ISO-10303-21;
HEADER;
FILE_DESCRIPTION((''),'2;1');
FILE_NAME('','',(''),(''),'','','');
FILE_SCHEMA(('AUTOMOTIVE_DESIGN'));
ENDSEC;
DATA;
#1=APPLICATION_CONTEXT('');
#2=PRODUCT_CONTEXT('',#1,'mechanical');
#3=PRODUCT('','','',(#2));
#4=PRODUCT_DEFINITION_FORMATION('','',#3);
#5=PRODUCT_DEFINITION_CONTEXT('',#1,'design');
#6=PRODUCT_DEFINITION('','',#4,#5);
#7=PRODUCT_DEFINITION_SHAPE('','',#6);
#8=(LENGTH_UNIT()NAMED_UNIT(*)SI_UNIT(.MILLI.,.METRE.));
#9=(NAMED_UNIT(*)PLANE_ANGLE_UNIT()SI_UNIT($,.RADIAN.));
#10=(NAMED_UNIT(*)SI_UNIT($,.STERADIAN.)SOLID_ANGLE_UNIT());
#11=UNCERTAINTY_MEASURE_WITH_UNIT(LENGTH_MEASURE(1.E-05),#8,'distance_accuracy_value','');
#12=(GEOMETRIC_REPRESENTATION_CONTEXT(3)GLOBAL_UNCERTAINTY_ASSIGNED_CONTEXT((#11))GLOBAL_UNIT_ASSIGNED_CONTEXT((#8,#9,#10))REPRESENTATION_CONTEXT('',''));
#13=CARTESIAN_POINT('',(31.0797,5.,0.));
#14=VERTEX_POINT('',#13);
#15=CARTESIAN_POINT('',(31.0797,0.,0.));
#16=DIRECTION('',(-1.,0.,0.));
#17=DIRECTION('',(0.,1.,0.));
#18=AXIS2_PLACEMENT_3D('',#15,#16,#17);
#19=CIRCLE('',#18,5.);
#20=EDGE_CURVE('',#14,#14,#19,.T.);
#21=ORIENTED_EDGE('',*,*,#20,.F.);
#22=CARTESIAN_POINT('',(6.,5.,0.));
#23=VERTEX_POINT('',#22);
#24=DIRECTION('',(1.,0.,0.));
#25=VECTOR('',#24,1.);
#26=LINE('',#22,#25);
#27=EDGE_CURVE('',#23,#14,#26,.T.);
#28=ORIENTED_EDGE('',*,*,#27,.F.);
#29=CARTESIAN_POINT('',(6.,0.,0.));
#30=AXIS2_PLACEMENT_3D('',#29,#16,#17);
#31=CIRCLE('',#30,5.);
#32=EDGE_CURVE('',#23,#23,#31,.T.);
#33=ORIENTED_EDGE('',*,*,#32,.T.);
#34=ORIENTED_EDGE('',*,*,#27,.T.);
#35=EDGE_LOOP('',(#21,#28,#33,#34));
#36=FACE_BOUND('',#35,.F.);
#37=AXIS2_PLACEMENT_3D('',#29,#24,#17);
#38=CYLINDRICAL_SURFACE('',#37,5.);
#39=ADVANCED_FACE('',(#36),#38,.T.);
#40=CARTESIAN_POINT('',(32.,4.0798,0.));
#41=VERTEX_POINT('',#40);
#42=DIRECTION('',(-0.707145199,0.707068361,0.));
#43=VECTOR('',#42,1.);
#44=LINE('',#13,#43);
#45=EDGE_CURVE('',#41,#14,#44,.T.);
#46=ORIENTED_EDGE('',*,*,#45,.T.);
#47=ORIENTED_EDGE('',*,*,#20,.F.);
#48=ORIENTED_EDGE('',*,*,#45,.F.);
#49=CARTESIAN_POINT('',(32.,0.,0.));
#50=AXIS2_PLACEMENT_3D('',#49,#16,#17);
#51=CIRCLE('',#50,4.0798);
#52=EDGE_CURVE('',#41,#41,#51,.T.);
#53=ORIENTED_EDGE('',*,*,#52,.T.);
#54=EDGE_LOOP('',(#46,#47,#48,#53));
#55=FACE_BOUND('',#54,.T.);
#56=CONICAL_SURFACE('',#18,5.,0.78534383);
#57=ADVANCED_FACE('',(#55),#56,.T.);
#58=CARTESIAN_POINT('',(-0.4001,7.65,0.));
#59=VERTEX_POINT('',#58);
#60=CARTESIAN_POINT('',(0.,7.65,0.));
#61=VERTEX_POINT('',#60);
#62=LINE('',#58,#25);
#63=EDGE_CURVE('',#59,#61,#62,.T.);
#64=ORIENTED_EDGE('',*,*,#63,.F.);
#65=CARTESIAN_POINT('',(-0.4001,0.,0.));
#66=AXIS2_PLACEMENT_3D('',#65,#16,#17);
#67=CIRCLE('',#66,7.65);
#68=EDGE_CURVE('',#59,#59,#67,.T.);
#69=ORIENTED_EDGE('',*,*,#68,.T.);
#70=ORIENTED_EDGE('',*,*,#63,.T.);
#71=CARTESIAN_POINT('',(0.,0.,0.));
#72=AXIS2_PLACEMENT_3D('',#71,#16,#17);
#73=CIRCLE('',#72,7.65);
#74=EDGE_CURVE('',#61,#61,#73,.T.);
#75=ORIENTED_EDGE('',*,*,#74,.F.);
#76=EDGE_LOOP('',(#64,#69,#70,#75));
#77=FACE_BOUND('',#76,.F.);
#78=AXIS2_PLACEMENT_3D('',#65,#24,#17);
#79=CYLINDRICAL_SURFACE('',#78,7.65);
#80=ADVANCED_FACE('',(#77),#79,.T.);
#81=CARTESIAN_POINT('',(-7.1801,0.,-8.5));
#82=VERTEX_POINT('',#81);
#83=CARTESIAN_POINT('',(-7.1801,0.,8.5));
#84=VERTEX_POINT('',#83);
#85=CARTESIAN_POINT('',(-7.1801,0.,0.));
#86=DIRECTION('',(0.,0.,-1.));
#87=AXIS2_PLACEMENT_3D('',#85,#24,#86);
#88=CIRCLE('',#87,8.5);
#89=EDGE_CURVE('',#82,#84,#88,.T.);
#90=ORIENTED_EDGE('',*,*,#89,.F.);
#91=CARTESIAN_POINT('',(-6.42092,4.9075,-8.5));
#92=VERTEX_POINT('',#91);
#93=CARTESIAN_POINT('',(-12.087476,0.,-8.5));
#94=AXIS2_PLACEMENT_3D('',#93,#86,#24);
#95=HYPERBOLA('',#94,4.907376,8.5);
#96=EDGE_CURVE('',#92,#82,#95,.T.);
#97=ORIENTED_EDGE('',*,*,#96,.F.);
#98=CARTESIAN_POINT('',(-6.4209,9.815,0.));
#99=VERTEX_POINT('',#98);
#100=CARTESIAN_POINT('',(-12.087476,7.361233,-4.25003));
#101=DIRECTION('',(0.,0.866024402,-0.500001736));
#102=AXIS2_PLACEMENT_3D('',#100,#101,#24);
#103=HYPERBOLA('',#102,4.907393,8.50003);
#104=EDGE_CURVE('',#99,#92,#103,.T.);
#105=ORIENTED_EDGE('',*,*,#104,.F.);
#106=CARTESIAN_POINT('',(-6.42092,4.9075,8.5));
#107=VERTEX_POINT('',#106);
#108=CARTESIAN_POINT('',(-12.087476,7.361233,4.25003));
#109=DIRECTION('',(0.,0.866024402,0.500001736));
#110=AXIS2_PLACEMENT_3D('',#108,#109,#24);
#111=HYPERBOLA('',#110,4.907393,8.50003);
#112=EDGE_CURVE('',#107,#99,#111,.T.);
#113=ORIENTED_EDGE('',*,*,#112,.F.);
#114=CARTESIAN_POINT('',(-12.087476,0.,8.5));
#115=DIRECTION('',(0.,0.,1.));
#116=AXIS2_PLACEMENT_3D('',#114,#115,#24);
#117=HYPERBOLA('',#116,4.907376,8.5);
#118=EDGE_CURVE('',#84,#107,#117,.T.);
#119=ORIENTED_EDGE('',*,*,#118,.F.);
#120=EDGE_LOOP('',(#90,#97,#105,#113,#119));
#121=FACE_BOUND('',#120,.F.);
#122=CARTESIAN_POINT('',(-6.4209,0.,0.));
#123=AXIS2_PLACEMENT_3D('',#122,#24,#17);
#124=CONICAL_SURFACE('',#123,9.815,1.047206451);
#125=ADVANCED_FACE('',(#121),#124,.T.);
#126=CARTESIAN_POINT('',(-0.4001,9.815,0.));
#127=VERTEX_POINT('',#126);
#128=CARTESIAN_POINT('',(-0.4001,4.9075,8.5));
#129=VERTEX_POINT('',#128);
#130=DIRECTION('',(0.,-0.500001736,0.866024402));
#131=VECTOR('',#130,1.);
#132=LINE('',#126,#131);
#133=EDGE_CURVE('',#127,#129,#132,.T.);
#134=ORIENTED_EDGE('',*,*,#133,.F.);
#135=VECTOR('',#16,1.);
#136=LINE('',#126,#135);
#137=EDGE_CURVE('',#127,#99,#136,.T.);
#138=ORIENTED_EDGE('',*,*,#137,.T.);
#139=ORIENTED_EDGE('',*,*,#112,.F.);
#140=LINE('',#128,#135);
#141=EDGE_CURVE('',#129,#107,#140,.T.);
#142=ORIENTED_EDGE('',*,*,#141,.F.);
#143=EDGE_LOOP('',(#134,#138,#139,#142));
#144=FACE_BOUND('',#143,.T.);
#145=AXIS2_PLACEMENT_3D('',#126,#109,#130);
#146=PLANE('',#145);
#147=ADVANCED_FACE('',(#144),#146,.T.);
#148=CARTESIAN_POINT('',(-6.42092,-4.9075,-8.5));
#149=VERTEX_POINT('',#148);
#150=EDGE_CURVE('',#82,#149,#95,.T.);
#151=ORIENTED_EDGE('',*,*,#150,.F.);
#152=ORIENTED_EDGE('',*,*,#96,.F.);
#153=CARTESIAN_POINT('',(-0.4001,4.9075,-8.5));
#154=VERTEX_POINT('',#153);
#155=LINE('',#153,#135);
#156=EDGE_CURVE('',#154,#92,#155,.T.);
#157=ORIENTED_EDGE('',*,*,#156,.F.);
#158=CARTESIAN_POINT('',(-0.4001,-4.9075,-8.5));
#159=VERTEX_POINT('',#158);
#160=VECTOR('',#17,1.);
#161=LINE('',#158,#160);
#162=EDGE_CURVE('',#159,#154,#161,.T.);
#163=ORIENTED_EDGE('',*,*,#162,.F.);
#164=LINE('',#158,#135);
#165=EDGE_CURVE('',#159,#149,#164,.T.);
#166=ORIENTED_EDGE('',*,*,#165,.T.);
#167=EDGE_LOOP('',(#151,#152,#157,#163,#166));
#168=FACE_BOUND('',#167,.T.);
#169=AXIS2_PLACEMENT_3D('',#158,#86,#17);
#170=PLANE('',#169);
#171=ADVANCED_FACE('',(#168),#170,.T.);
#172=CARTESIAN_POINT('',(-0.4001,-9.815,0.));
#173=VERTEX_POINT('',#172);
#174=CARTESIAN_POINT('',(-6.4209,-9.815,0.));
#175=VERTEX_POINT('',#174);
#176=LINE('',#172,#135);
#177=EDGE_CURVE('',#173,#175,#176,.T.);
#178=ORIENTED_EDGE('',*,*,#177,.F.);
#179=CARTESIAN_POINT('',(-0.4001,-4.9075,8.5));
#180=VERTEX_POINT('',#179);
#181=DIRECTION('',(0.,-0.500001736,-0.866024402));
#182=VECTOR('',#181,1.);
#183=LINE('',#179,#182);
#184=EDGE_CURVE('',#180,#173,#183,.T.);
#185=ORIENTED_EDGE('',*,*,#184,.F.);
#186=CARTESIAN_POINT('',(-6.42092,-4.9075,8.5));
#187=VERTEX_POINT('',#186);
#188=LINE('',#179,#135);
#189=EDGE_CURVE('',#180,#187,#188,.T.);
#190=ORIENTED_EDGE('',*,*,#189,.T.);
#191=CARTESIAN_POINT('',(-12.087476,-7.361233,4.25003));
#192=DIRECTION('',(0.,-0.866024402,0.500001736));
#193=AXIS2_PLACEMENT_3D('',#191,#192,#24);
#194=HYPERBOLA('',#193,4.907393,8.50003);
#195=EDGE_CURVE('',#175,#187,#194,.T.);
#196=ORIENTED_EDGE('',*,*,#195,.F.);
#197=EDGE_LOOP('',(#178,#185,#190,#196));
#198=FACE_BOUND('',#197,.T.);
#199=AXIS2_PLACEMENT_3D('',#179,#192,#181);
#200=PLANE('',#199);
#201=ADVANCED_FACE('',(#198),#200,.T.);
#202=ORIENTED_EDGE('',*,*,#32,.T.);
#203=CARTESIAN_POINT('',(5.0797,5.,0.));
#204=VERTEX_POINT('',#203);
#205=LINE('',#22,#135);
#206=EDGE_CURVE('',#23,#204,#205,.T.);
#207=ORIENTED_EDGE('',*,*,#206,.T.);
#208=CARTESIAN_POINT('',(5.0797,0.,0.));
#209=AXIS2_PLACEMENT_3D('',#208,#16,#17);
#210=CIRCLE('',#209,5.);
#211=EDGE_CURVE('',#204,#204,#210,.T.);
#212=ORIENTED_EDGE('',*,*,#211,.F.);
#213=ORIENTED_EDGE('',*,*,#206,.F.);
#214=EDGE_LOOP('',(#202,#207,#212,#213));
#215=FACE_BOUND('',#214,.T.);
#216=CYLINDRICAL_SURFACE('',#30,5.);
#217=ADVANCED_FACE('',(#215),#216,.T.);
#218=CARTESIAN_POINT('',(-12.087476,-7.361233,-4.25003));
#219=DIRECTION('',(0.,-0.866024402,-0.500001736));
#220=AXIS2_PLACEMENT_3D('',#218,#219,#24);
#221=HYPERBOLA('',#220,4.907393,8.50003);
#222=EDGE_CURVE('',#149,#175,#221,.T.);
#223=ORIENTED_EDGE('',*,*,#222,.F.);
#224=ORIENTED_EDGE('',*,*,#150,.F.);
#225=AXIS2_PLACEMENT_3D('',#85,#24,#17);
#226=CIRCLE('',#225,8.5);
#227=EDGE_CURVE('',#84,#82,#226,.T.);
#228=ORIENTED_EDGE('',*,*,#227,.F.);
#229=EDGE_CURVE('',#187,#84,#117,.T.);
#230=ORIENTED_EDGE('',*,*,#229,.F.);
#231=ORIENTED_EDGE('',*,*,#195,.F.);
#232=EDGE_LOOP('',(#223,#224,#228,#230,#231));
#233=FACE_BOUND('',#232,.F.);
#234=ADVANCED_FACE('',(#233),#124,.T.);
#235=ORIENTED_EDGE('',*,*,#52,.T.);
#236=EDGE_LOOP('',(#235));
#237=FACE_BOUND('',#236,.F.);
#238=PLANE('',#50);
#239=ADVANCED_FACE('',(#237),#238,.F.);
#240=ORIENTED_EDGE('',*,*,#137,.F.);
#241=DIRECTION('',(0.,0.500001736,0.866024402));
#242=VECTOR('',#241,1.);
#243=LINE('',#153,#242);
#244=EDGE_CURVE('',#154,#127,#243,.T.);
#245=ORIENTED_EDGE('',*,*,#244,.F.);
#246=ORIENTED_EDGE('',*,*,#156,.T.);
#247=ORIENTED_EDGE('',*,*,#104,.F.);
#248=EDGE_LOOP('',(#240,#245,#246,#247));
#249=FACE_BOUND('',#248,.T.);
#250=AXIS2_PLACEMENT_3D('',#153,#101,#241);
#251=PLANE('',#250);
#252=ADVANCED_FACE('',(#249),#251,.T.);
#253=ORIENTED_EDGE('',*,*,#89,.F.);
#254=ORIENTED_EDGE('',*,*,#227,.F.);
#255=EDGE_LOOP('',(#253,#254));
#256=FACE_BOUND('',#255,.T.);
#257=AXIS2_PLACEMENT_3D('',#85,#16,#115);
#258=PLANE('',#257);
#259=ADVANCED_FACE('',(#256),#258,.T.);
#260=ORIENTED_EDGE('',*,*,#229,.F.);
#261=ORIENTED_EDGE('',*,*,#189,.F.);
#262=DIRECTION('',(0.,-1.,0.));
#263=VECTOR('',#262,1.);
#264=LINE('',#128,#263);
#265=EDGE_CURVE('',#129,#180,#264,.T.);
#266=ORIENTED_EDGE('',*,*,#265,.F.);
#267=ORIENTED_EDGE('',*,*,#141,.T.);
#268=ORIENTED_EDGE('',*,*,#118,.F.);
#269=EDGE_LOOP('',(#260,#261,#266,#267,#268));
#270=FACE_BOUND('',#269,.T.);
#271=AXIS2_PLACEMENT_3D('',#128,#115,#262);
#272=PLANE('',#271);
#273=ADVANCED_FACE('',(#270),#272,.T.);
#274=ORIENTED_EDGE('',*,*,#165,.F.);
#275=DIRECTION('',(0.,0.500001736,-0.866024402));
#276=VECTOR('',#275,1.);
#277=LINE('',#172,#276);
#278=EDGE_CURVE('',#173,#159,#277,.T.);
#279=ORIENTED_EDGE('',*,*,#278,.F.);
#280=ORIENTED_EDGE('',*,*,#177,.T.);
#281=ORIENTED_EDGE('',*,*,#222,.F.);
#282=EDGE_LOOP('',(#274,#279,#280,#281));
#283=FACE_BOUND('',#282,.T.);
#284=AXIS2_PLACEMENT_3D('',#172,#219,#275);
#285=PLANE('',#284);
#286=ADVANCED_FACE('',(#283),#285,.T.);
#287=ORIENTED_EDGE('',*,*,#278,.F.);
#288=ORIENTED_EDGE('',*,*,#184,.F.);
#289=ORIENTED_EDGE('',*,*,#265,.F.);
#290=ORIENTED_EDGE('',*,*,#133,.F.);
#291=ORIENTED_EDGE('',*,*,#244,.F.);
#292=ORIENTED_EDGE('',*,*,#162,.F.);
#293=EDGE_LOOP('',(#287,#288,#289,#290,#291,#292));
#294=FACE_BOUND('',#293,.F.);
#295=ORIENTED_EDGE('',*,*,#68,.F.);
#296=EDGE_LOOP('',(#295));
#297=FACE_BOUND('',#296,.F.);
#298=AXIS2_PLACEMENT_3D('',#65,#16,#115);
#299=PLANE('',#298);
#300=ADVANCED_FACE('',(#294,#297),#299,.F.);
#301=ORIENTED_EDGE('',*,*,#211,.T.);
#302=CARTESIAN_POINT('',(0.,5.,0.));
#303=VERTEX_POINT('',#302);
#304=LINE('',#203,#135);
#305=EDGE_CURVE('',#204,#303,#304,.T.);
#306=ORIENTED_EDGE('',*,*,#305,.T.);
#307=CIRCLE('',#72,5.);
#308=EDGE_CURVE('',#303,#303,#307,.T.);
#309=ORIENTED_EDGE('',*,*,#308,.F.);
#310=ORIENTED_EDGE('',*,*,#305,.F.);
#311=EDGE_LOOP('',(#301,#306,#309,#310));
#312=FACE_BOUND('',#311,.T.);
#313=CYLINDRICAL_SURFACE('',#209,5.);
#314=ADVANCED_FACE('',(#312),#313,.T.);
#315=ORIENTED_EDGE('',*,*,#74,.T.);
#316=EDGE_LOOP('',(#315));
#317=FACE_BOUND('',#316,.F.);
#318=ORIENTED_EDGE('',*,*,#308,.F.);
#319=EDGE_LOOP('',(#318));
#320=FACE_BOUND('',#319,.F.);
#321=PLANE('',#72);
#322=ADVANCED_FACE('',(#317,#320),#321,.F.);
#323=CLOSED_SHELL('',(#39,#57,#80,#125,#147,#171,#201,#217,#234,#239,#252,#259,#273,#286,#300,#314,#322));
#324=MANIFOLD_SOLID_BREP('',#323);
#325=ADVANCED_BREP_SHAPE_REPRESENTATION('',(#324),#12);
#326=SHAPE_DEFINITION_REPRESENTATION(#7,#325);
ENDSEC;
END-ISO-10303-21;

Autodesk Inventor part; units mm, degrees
ref_plane "YZ Plane" through (0, 0, 0) normal (1, 0, 0) x (0, 1, 0)
ref_plane "XZ Plane" through (0, 0, 0) normal (0, 1, 0) x (-1, 0, 0)
sketch "Sketch1" plane through (0, 0, 0) normal (0, 0, 1) x (1, 0, 0)
  line L0 (0, 7.65) -> (0, 5)
  line L1 (6, 5) -> (32, 5)
  line L2 (32, 5) -> (32, 0)
  line L3 (32, 0) -> (-0.4001, 0)
  line L4 (-6.8801, 0) -> (38.48, 0) projected
  line L5 (-0.4001, 0) -> (-0.4001, 7.65)
  line L6 (-0.4001, 7.65) -> (0, 7.65)
  line L7 (6, 5) -> (5.0797, 5)
  line L8 (5.0797, 5) -> (0, 5)
  line L9 (0, -1.53) -> (0, 9.18) projected
  dimension "d0" = 32
  dimension "d1" = 26
  dimension "d2" = 10
  dimension "d9" = 0.4001
  dimension "d10" = 15.3
  dimension "d13" = 0.9203
  dimension "d14" = 10
revolve "Body" add sketch "Sketch1" angle 360 about axis through (32, 0, 0) along (-1, 0, 0)
sketch "Sketch2" plane through (-0.4001, 0, 0) normal (-1, 0, 0) x (0, 0, 1)
  line L0 (0, 9.815) -> (8.5, 4.9075)
  line L1 (8.5, 4.9075) -> (8.5, -4.9075)
  line L2 (8.5, -4.9075) -> (0, -9.815)
  line L3 (0, -9.815) -> (-8.5, -4.9075)
  line L4 (-8.5, -4.9075) -> (-8.5, 4.9075)
  line L5 (-8.5, 4.9075) -> (0, 9.815)
  point P0 (0, 0)
  point P1 (0, 0)
  dimension "d11" = 17
extrude "Head" add sketch "Sketch2" along normal blind 6.78
sketch "Sketch4" plane through (0, 0, 0) normal (0, 0, 1) x (1, 0, 0)
  line L0 (-7.1801, 8.5) -> (-7.1801, 9.815)
  line L1 (-7.1801, 9.815) -> (-6.4209, 9.815)
  line L2 (-6.4209, 9.815) -> (-7.1801, 8.5)
  line L3 (-8.5361, 0) -> (0.9559, 0) projected
  line L4 (-0.4001, 9.815) -> (-7.1801, 9.815) projected
  line L5 (-7.1801, 4.9075) -> (-7.1801, 9.815) projected
  dimension "d5" = 30
  dimension "d19" = 17
revolve "Chamfer1" cut sketch "Sketch4" angle 360 about axis through (-10, 0, 0) along (1, 0, 0)
thread "Thread" size "M10x1.5" class "6g" standard "ISO Metric profile" length 26
chamfer "Chamfer2" distance 0.9202 distance2 0.9203 1 edges at (32, -5, 0) measured on face at (32, -0.2009, 0.1054)
ref_plane "Work Plane1" through (1.525, 0, 0) normal (0, 0, 1) x (1, 0, 0)
equation "\"d11\" = SW"
equation "\"d3\" = KOH - SD"
equation "\"d15\" = GEL"
equation "\"d6\" = -0.5 * SPD + 0.5 * GD"
equation "\"d0\" = NLG"
equation "\"d1\" = GEL"
equation "\"d2\" = GD"
equation "\"d10\" = SD2"
equation "\"d14\" = BDM"
equation "\"d5\" = ANG1"
equation "\"d19\" = SW0"
equation "\"NLG\" = 32"
equation "\"GD\" = NND"
equation "\"BDM\" = NND"
equation "\"KOH\" = 7.18"
equation "\"GEL\" = 26"
equation "\"SW\" = 17"
equation "\"SW0\" = 17"
equation "\"SPD\" = NND - 1.2269 * PTC"
equation "\"SD2\" = 0.9 * SW"
equation "\"SD\" = 0.4"
equation "\"ANG1\" = 30deg"
equation "\"GAL\" = 0.61345 * PTC"
equation "\"GUL\" = 0.61345 * PTC"
equation "\"RR\" = 0.6"
equation "\"GD1\" = THREADDIA - 1.2269 * PTC"
equation "\"SDH\" = 16.43"
equation "\"TOA\" = 30deg"
equation "\"PTC\" = 1.5"
equation "\"E0\" = 1.155 * SW"
equation "\"NND\" = 10"
equation "\"THREADDIA\" = 10"
properties part number "BS 3692 - M10 x 32" material "Steel, Mild"
